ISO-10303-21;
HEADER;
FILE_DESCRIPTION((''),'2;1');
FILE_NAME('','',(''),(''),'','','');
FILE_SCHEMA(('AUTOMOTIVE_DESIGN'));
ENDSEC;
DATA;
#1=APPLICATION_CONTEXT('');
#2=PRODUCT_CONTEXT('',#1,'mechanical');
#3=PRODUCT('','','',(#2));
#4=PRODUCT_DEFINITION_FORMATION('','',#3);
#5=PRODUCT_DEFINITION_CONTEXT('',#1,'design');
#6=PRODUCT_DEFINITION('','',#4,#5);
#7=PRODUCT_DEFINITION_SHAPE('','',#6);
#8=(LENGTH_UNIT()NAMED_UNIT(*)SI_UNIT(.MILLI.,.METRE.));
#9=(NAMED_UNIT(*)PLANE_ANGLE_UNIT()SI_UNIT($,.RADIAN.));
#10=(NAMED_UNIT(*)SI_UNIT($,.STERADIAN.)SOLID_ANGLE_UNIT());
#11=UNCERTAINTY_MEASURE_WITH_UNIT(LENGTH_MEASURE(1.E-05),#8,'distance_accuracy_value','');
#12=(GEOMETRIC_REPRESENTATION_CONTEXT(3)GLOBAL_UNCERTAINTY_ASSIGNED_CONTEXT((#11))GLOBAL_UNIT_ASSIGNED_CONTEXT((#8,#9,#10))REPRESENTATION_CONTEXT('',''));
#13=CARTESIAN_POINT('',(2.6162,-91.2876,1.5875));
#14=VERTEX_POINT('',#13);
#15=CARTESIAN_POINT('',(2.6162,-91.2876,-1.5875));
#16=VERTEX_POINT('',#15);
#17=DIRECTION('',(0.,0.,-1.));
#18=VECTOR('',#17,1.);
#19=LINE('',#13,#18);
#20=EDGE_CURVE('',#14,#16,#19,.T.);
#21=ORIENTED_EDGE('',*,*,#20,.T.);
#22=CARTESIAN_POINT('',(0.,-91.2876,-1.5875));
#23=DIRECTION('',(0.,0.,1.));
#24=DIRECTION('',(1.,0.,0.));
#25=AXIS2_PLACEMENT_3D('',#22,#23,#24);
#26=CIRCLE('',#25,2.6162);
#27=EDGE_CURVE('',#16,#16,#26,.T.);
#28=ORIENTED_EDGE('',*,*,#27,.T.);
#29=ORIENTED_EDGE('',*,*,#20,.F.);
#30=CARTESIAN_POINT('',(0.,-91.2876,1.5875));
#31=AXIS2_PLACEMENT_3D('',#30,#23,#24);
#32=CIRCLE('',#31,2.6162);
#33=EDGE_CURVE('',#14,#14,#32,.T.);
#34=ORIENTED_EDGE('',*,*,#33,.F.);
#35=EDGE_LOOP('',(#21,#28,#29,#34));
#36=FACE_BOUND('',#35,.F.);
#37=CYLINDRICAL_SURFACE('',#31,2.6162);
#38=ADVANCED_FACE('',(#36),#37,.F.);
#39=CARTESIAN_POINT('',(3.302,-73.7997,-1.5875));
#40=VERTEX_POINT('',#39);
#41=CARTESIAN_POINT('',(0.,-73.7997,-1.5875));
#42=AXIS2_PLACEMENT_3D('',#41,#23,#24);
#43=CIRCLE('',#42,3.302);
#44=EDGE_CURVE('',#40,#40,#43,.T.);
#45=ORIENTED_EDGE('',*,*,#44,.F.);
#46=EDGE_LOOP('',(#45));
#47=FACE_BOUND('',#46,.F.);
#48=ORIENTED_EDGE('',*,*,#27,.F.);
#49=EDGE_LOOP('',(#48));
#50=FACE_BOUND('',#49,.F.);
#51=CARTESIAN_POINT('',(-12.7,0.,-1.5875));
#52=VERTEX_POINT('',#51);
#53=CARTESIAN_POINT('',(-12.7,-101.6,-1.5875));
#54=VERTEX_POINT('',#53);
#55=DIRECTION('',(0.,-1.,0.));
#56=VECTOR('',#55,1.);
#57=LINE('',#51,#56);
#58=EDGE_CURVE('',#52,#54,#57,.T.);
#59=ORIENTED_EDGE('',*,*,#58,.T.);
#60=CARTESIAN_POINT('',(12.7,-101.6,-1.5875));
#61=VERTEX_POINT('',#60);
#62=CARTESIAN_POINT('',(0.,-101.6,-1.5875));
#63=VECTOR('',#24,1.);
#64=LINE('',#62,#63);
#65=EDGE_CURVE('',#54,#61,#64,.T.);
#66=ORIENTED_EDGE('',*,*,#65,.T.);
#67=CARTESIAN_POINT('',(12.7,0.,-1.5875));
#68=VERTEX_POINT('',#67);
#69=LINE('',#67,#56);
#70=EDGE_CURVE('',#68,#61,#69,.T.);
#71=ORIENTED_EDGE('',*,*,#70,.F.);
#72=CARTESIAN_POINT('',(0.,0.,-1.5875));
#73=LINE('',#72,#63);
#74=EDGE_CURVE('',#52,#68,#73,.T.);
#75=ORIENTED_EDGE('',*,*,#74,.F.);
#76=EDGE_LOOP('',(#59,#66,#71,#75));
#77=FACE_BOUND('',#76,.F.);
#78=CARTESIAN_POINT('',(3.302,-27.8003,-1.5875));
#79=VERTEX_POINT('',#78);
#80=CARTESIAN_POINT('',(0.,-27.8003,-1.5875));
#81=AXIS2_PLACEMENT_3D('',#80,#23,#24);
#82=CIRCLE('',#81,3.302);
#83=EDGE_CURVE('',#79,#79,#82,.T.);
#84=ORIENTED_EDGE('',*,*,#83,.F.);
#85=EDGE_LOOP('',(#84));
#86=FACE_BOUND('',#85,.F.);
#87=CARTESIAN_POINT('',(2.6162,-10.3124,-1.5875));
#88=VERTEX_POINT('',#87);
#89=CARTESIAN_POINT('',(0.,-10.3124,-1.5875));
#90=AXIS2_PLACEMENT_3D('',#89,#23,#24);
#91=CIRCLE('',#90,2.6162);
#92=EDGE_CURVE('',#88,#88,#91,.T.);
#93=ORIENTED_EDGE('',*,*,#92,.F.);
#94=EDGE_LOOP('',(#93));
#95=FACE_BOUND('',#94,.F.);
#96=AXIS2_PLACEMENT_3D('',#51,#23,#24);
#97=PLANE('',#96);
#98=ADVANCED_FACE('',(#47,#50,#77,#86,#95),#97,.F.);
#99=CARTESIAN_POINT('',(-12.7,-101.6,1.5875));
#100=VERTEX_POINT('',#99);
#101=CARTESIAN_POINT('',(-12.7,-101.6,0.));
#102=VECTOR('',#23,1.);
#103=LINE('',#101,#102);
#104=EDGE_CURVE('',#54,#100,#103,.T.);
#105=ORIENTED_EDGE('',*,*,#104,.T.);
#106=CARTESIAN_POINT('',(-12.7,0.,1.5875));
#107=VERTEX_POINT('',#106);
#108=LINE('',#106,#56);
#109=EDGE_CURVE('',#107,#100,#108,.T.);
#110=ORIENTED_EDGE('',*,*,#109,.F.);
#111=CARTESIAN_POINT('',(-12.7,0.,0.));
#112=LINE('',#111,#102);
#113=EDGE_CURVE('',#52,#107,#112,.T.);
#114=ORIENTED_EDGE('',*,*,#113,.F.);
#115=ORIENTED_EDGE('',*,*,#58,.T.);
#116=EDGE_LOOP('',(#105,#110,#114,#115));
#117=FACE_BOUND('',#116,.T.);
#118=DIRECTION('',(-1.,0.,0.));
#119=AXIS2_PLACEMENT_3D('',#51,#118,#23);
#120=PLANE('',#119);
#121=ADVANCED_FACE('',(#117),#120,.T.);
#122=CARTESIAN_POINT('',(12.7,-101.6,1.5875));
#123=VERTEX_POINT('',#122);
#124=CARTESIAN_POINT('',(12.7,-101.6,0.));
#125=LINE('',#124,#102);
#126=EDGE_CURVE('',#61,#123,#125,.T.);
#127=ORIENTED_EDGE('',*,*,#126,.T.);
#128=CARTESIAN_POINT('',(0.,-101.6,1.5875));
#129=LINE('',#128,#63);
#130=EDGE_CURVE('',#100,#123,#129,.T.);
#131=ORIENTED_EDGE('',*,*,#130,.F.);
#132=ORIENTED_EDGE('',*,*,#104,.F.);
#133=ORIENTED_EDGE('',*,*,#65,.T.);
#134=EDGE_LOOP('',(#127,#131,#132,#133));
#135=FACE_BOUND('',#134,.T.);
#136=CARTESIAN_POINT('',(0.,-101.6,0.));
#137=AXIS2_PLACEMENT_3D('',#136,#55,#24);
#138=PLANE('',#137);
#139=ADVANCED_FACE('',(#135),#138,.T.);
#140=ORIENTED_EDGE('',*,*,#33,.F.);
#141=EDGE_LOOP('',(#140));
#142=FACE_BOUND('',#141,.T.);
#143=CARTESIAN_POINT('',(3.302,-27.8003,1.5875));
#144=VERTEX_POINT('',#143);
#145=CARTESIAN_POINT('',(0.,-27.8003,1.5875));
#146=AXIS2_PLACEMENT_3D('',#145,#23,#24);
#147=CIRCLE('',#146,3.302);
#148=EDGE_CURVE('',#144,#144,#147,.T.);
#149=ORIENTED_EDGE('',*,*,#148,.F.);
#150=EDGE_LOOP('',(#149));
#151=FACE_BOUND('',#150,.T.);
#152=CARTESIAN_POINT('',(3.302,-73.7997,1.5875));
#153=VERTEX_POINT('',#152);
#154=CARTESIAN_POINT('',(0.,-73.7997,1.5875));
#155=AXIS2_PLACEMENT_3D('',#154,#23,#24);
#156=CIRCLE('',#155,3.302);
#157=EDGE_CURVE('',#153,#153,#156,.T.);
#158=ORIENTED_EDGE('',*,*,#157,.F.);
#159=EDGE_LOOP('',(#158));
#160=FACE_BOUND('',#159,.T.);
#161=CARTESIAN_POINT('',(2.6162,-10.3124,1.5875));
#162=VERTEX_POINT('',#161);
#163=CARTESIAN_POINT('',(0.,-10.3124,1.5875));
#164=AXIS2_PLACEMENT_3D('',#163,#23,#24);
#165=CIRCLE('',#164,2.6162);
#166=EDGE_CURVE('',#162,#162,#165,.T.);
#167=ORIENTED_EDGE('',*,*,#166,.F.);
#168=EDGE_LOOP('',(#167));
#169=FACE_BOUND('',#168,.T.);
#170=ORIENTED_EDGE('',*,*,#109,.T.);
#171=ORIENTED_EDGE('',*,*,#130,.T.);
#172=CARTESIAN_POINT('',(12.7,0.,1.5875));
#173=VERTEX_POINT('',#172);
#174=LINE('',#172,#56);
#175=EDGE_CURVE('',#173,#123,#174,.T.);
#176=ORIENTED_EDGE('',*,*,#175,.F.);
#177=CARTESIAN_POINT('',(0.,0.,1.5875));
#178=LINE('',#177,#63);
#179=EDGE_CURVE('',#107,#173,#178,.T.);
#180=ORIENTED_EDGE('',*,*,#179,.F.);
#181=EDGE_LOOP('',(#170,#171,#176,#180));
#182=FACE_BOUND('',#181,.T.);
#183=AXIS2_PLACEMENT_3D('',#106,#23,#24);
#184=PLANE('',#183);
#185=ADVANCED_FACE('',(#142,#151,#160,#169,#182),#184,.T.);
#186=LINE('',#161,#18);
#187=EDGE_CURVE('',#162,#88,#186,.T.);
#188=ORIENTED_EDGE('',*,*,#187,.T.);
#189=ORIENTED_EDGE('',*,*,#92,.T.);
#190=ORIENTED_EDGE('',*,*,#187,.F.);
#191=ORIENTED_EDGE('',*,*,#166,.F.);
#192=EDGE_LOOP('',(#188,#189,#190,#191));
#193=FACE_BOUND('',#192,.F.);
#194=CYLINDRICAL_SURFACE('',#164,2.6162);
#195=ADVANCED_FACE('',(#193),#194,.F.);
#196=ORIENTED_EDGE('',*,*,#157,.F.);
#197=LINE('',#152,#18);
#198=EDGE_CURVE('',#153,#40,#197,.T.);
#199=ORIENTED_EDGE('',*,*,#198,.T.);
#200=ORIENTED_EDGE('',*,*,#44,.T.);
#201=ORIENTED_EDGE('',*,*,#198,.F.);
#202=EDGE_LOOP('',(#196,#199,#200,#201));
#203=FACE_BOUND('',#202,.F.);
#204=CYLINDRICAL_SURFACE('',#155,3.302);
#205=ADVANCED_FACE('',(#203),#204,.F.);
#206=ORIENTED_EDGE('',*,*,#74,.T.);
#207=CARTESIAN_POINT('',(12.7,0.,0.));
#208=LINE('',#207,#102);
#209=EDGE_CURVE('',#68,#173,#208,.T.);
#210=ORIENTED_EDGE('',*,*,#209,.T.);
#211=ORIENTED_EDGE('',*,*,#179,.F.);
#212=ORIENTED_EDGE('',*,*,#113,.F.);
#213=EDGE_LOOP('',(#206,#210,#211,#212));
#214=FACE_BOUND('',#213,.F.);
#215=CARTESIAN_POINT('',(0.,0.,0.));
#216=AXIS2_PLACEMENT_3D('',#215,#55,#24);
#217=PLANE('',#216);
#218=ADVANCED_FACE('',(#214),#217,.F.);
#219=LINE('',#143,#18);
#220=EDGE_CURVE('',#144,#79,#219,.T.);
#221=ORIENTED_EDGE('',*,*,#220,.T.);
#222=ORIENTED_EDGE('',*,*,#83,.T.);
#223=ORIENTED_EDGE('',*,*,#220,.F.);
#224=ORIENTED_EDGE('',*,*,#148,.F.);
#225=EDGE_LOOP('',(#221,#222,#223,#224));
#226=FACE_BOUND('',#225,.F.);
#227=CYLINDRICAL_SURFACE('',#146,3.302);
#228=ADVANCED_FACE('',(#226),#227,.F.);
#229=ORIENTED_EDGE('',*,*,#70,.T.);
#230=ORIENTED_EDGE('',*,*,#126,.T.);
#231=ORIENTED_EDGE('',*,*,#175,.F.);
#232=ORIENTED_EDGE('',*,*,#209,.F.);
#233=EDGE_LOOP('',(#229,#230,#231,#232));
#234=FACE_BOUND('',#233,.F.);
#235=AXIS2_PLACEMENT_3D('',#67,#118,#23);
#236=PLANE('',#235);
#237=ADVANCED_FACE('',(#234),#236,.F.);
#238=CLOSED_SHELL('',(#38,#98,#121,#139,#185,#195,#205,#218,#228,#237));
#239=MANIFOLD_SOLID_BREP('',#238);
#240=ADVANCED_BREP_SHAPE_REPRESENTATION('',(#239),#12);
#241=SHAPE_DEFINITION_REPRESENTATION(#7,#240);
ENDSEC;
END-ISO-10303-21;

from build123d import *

# Parameters (mm, degrees)
F0_W     = 25.4
F0_H     = 3.175
F1_DEPTH = 101.6
F2_R     = 2.6162
F2_R_2   = 3.302
F3_DEPTH = 3.176


with BuildPart() as f1:
    # F0 (on Front) → F1 (new body)
    with BuildSketch(Plane.XZ):
        Rectangle(F0_W, F0_H)
    extrude(amount=F1_DEPTH)

    # F2 (on face) → F3 (cut, through all)
    with BuildSketch(Plane.XY.offset(1.5875)):
        with Locations((0, -91.2876)):
            Circle(F2_R)
        with Locations((0, -10.3124)):
            Circle(F2_R)
        with Locations((0, -73.7997)):
            Circle(F2_R_2)
        with Locations((0, -27.8003)):
            Circle(F2_R_2)
    extrude(amount=-F3_DEPTH, mode=Mode.SUBTRACT)


solid = f1.part
